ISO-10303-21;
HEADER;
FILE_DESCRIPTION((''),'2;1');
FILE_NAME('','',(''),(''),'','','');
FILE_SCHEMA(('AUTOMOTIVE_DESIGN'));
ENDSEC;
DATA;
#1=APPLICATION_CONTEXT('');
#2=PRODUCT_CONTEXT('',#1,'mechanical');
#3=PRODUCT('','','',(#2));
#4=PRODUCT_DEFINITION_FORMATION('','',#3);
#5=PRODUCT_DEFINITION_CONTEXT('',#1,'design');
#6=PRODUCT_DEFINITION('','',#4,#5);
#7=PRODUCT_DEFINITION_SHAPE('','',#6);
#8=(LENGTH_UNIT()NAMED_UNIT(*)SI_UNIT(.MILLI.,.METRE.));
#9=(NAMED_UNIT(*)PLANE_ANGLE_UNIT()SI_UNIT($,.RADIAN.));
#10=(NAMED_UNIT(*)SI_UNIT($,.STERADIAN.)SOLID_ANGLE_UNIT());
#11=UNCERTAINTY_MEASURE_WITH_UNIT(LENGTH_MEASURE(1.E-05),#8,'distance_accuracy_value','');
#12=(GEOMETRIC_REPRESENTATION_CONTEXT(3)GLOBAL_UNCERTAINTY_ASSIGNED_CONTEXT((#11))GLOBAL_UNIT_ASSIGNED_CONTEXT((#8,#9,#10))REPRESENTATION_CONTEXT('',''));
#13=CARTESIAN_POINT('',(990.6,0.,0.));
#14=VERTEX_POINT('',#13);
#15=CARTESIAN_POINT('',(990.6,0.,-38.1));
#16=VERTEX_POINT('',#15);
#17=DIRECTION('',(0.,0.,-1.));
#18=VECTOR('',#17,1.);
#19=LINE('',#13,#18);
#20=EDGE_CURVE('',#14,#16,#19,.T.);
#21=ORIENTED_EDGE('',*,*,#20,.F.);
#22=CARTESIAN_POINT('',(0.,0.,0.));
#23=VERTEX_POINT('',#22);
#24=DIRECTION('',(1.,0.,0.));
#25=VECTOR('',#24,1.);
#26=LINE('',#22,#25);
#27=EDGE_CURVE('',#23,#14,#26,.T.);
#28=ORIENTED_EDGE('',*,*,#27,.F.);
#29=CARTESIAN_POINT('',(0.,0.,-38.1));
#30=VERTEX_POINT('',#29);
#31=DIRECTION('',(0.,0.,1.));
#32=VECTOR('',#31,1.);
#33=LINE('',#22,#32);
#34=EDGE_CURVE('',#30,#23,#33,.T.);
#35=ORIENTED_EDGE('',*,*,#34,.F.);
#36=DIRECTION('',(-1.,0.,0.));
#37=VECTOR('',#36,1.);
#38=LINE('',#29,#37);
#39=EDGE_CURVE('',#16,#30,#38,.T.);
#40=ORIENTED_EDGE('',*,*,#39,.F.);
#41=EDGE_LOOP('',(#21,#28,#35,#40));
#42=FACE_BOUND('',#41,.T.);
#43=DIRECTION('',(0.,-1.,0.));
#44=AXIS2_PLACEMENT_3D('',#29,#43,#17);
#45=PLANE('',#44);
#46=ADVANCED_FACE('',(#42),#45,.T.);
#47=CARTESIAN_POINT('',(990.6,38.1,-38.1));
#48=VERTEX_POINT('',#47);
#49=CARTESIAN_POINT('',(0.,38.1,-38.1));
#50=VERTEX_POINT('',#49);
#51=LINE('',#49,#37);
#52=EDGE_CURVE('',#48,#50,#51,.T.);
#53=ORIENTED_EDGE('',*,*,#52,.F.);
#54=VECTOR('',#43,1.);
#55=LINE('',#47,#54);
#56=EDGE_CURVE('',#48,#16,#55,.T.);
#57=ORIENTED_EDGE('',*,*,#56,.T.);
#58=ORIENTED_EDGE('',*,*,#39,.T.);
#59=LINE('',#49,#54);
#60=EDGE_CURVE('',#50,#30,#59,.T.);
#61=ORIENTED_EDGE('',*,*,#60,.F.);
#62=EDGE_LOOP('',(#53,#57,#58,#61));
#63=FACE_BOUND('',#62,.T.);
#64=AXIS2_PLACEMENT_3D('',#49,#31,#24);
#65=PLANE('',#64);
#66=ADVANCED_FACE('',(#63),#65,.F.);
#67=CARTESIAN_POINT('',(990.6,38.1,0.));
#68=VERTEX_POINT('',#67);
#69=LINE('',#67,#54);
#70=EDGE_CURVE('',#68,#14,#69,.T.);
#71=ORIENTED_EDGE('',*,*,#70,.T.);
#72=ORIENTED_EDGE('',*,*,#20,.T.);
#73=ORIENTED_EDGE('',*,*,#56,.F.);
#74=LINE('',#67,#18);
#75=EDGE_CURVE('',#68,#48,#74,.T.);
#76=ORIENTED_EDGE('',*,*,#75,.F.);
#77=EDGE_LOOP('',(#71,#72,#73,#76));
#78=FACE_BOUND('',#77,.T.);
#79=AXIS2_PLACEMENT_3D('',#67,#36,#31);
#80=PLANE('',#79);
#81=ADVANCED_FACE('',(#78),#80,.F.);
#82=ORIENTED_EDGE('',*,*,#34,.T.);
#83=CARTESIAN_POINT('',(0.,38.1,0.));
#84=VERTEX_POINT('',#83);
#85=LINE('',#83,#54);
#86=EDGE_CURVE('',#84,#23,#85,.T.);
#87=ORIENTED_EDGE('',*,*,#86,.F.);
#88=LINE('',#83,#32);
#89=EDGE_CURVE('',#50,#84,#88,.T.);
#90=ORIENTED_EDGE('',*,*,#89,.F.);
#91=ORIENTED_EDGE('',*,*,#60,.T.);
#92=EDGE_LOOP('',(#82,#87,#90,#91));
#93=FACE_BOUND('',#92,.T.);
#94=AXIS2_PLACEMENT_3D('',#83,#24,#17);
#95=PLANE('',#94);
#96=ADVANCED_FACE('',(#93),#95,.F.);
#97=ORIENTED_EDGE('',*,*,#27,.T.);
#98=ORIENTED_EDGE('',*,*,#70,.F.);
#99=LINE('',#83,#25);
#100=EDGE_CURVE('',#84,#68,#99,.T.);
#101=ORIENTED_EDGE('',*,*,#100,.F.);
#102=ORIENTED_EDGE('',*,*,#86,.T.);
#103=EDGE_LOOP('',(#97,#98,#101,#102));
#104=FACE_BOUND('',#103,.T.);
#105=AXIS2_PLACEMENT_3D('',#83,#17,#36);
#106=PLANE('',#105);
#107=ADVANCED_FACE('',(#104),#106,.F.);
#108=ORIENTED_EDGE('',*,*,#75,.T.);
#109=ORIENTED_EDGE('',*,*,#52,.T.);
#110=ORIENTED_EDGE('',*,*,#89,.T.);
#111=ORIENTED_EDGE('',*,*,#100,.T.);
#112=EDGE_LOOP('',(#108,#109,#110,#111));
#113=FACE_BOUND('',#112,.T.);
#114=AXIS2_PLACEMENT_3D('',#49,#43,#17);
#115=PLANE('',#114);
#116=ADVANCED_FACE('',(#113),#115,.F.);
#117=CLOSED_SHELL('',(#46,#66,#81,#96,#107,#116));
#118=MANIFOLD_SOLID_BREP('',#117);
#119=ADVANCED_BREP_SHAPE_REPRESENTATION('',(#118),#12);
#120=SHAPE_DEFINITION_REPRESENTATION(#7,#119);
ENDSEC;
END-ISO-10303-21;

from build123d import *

# Parameters (mm, degrees)
SKETCH1_W      = 990.6
SKETCH1_H      = 38.1
EXTRUDE1_DEPTH = 38.1


with BuildPart() as part:
    # Sketch1 → Extrude1 (new body)
    with BuildSketch(Plane(origin=(0, 0, 0), x_dir=(1, 0, 0), z_dir=(0, 1, 0))):
        with Locations((495.3, 19.05)):
            Rectangle(SKETCH1_W, SKETCH1_H)
    extrude(amount=EXTRUDE1_DEPTH)


solid = part.part
